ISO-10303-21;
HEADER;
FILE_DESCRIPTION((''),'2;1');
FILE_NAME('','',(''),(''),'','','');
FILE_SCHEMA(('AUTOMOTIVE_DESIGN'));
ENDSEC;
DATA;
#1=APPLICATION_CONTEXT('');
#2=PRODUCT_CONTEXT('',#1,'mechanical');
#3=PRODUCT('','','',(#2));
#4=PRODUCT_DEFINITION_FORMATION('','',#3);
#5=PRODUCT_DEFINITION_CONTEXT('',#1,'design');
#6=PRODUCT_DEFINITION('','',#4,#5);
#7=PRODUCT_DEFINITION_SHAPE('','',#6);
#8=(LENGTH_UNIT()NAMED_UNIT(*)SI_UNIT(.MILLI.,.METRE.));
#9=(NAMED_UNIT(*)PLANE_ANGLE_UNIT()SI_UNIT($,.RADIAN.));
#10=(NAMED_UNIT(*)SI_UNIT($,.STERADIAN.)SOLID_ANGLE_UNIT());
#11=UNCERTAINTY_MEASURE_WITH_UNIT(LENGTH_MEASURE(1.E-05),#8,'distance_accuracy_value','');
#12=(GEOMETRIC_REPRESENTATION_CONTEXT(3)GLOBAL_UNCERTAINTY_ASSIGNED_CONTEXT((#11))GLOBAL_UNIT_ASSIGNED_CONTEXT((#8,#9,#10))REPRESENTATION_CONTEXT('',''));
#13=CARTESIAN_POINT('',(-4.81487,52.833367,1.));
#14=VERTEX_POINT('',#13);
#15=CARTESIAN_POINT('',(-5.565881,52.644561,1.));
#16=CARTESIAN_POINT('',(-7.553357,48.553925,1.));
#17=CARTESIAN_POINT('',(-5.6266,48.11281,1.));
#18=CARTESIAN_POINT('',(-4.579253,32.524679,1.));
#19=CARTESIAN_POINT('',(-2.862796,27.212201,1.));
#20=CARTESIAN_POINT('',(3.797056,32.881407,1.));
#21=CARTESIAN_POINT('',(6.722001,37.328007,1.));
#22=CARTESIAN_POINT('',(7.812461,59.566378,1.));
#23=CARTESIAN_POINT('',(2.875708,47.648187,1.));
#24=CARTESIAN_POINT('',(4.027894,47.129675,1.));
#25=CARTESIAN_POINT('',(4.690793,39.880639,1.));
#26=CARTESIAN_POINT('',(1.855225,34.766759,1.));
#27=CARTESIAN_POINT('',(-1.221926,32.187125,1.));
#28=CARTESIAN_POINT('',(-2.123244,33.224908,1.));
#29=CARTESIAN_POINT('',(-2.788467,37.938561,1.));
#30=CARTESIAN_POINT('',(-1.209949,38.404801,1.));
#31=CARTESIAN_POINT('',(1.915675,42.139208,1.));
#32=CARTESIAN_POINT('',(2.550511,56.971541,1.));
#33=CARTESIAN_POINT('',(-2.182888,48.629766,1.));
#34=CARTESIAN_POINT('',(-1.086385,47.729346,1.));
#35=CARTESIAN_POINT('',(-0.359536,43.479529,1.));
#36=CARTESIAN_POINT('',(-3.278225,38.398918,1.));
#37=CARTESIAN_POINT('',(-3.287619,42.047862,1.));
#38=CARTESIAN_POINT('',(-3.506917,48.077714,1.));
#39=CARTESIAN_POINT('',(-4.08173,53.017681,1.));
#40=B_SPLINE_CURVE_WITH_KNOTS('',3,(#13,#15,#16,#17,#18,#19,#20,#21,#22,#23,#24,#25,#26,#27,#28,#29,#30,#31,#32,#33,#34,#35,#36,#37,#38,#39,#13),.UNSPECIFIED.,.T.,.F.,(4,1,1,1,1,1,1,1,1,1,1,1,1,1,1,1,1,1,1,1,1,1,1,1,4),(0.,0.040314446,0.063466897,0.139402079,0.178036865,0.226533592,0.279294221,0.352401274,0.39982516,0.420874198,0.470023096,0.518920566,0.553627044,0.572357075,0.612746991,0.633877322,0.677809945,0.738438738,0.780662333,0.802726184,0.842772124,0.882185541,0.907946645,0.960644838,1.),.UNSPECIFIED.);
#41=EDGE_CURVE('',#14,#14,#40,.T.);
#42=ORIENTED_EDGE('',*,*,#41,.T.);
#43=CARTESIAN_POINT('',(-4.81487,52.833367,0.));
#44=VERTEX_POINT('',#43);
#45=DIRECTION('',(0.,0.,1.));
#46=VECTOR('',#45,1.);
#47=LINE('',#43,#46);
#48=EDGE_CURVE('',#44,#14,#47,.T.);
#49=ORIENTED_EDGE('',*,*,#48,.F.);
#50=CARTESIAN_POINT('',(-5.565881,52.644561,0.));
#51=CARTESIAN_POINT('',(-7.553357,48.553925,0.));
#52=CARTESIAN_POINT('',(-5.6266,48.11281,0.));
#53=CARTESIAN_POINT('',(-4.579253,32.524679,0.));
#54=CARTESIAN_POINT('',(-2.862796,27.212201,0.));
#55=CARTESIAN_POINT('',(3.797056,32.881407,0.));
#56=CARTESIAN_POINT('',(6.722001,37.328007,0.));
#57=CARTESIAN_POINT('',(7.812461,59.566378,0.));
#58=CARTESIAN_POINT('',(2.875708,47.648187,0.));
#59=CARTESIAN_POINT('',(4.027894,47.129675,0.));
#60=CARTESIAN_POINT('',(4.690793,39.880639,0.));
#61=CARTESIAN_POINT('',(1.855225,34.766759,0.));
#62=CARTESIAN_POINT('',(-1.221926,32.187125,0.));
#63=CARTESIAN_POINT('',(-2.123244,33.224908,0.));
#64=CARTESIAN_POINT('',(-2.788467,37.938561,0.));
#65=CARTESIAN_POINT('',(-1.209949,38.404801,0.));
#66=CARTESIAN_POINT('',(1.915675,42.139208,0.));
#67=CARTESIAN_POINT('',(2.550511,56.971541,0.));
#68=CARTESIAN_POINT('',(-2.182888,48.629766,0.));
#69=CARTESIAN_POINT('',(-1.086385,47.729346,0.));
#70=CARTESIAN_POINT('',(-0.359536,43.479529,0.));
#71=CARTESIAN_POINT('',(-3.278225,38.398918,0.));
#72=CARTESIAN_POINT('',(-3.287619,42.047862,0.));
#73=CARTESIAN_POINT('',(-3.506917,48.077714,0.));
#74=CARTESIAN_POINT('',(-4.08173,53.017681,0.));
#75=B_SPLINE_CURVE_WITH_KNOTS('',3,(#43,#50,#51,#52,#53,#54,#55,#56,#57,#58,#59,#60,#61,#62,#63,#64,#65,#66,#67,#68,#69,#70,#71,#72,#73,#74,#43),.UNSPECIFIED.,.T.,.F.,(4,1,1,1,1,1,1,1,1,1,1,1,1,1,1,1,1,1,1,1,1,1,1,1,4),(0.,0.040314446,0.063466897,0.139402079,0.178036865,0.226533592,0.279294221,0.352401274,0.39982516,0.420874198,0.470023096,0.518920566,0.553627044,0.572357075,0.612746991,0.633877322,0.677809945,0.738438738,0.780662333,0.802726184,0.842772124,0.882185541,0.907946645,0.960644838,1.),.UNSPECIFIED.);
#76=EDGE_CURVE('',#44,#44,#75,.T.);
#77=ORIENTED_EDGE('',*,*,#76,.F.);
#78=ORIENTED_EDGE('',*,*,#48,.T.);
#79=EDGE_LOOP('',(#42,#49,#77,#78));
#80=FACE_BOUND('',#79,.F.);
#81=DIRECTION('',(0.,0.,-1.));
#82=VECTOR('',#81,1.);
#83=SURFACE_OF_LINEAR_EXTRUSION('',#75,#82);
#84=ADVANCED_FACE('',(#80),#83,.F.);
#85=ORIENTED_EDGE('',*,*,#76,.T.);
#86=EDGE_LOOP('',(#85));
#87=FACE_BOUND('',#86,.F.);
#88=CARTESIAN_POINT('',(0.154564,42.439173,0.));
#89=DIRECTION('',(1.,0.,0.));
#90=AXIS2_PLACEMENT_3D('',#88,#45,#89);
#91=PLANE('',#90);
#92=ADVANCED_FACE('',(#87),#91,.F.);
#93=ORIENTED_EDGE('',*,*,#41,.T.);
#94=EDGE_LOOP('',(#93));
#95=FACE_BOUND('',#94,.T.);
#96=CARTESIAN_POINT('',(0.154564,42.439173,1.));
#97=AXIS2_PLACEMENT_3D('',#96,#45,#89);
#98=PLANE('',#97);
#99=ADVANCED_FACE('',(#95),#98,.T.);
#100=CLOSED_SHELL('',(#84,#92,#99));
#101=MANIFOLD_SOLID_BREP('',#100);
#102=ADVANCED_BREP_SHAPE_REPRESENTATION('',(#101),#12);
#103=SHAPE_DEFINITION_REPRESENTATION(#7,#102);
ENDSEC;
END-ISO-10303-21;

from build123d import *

# Parameters (mm, degrees)
F2_DEPTH = 1


with BuildPart() as f2:
    # F1 (on face) → F2 (new body)
    with BuildSketch(Plane.XY):
        with BuildLine():
            add(Edge.make_bspline(
                [(-4.8148701899, 52.8333671391), (-5.5658805743, 52.6445609146), (-7.5533565318, 48.553924897), (-5.6265997373, 48.1128099857), (-4.5792529615, 32.5246787323), (-2.8627961596, 27.2122005192), (3.797056136, 32.8814071545), (6.722000754, 37.3280074495), (7.8124609065, 59.566377592), (2.8757079853, 47.648186941), (4.0278939851, 47.1296746174), (4.6907925211, 39.8806390231), (1.855224939, 34.7667588988), (-1.2219259857, 32.1871252184), (-2.1232435004, 33.2249080001), (-2.7884674569, 37.9385608975), (-1.2099490828, 38.4048005313), (1.9156746301, 42.1392077567), (2.5505113427, 56.9715406572), (-2.1828884678, 48.6297664076), (-1.0863853542, 47.7293457705), (-0.359535829, 43.4795290526), (-3.2782247757, 38.3989181671), (-3.2876185887, 42.0478616792), (-3.5069172149, 48.0777143669), (-4.0817301166, 53.0176807147), (-4.8148701899, 52.8333671391)],
                knots=[0, 0, 0, 0, 0.0403144456, 0.0634668973, 0.1394020793, 0.1780368649, 0.2265335921, 0.2792942206, 0.3524012742, 0.3998251598, 0.4208741977, 0.4700230956, 0.5189205665, 0.5536270436, 0.5723570752, 0.6127469907, 0.633877322, 0.6778099455, 0.7384387383, 0.7806623333, 0.8027261838, 0.8427721241, 0.8821855408, 0.9079466446, 0.9606448376, 1, 1, 1, 1], degree=3))
        make_face()
    extrude(amount=F2_DEPTH)


solid = f2.part
